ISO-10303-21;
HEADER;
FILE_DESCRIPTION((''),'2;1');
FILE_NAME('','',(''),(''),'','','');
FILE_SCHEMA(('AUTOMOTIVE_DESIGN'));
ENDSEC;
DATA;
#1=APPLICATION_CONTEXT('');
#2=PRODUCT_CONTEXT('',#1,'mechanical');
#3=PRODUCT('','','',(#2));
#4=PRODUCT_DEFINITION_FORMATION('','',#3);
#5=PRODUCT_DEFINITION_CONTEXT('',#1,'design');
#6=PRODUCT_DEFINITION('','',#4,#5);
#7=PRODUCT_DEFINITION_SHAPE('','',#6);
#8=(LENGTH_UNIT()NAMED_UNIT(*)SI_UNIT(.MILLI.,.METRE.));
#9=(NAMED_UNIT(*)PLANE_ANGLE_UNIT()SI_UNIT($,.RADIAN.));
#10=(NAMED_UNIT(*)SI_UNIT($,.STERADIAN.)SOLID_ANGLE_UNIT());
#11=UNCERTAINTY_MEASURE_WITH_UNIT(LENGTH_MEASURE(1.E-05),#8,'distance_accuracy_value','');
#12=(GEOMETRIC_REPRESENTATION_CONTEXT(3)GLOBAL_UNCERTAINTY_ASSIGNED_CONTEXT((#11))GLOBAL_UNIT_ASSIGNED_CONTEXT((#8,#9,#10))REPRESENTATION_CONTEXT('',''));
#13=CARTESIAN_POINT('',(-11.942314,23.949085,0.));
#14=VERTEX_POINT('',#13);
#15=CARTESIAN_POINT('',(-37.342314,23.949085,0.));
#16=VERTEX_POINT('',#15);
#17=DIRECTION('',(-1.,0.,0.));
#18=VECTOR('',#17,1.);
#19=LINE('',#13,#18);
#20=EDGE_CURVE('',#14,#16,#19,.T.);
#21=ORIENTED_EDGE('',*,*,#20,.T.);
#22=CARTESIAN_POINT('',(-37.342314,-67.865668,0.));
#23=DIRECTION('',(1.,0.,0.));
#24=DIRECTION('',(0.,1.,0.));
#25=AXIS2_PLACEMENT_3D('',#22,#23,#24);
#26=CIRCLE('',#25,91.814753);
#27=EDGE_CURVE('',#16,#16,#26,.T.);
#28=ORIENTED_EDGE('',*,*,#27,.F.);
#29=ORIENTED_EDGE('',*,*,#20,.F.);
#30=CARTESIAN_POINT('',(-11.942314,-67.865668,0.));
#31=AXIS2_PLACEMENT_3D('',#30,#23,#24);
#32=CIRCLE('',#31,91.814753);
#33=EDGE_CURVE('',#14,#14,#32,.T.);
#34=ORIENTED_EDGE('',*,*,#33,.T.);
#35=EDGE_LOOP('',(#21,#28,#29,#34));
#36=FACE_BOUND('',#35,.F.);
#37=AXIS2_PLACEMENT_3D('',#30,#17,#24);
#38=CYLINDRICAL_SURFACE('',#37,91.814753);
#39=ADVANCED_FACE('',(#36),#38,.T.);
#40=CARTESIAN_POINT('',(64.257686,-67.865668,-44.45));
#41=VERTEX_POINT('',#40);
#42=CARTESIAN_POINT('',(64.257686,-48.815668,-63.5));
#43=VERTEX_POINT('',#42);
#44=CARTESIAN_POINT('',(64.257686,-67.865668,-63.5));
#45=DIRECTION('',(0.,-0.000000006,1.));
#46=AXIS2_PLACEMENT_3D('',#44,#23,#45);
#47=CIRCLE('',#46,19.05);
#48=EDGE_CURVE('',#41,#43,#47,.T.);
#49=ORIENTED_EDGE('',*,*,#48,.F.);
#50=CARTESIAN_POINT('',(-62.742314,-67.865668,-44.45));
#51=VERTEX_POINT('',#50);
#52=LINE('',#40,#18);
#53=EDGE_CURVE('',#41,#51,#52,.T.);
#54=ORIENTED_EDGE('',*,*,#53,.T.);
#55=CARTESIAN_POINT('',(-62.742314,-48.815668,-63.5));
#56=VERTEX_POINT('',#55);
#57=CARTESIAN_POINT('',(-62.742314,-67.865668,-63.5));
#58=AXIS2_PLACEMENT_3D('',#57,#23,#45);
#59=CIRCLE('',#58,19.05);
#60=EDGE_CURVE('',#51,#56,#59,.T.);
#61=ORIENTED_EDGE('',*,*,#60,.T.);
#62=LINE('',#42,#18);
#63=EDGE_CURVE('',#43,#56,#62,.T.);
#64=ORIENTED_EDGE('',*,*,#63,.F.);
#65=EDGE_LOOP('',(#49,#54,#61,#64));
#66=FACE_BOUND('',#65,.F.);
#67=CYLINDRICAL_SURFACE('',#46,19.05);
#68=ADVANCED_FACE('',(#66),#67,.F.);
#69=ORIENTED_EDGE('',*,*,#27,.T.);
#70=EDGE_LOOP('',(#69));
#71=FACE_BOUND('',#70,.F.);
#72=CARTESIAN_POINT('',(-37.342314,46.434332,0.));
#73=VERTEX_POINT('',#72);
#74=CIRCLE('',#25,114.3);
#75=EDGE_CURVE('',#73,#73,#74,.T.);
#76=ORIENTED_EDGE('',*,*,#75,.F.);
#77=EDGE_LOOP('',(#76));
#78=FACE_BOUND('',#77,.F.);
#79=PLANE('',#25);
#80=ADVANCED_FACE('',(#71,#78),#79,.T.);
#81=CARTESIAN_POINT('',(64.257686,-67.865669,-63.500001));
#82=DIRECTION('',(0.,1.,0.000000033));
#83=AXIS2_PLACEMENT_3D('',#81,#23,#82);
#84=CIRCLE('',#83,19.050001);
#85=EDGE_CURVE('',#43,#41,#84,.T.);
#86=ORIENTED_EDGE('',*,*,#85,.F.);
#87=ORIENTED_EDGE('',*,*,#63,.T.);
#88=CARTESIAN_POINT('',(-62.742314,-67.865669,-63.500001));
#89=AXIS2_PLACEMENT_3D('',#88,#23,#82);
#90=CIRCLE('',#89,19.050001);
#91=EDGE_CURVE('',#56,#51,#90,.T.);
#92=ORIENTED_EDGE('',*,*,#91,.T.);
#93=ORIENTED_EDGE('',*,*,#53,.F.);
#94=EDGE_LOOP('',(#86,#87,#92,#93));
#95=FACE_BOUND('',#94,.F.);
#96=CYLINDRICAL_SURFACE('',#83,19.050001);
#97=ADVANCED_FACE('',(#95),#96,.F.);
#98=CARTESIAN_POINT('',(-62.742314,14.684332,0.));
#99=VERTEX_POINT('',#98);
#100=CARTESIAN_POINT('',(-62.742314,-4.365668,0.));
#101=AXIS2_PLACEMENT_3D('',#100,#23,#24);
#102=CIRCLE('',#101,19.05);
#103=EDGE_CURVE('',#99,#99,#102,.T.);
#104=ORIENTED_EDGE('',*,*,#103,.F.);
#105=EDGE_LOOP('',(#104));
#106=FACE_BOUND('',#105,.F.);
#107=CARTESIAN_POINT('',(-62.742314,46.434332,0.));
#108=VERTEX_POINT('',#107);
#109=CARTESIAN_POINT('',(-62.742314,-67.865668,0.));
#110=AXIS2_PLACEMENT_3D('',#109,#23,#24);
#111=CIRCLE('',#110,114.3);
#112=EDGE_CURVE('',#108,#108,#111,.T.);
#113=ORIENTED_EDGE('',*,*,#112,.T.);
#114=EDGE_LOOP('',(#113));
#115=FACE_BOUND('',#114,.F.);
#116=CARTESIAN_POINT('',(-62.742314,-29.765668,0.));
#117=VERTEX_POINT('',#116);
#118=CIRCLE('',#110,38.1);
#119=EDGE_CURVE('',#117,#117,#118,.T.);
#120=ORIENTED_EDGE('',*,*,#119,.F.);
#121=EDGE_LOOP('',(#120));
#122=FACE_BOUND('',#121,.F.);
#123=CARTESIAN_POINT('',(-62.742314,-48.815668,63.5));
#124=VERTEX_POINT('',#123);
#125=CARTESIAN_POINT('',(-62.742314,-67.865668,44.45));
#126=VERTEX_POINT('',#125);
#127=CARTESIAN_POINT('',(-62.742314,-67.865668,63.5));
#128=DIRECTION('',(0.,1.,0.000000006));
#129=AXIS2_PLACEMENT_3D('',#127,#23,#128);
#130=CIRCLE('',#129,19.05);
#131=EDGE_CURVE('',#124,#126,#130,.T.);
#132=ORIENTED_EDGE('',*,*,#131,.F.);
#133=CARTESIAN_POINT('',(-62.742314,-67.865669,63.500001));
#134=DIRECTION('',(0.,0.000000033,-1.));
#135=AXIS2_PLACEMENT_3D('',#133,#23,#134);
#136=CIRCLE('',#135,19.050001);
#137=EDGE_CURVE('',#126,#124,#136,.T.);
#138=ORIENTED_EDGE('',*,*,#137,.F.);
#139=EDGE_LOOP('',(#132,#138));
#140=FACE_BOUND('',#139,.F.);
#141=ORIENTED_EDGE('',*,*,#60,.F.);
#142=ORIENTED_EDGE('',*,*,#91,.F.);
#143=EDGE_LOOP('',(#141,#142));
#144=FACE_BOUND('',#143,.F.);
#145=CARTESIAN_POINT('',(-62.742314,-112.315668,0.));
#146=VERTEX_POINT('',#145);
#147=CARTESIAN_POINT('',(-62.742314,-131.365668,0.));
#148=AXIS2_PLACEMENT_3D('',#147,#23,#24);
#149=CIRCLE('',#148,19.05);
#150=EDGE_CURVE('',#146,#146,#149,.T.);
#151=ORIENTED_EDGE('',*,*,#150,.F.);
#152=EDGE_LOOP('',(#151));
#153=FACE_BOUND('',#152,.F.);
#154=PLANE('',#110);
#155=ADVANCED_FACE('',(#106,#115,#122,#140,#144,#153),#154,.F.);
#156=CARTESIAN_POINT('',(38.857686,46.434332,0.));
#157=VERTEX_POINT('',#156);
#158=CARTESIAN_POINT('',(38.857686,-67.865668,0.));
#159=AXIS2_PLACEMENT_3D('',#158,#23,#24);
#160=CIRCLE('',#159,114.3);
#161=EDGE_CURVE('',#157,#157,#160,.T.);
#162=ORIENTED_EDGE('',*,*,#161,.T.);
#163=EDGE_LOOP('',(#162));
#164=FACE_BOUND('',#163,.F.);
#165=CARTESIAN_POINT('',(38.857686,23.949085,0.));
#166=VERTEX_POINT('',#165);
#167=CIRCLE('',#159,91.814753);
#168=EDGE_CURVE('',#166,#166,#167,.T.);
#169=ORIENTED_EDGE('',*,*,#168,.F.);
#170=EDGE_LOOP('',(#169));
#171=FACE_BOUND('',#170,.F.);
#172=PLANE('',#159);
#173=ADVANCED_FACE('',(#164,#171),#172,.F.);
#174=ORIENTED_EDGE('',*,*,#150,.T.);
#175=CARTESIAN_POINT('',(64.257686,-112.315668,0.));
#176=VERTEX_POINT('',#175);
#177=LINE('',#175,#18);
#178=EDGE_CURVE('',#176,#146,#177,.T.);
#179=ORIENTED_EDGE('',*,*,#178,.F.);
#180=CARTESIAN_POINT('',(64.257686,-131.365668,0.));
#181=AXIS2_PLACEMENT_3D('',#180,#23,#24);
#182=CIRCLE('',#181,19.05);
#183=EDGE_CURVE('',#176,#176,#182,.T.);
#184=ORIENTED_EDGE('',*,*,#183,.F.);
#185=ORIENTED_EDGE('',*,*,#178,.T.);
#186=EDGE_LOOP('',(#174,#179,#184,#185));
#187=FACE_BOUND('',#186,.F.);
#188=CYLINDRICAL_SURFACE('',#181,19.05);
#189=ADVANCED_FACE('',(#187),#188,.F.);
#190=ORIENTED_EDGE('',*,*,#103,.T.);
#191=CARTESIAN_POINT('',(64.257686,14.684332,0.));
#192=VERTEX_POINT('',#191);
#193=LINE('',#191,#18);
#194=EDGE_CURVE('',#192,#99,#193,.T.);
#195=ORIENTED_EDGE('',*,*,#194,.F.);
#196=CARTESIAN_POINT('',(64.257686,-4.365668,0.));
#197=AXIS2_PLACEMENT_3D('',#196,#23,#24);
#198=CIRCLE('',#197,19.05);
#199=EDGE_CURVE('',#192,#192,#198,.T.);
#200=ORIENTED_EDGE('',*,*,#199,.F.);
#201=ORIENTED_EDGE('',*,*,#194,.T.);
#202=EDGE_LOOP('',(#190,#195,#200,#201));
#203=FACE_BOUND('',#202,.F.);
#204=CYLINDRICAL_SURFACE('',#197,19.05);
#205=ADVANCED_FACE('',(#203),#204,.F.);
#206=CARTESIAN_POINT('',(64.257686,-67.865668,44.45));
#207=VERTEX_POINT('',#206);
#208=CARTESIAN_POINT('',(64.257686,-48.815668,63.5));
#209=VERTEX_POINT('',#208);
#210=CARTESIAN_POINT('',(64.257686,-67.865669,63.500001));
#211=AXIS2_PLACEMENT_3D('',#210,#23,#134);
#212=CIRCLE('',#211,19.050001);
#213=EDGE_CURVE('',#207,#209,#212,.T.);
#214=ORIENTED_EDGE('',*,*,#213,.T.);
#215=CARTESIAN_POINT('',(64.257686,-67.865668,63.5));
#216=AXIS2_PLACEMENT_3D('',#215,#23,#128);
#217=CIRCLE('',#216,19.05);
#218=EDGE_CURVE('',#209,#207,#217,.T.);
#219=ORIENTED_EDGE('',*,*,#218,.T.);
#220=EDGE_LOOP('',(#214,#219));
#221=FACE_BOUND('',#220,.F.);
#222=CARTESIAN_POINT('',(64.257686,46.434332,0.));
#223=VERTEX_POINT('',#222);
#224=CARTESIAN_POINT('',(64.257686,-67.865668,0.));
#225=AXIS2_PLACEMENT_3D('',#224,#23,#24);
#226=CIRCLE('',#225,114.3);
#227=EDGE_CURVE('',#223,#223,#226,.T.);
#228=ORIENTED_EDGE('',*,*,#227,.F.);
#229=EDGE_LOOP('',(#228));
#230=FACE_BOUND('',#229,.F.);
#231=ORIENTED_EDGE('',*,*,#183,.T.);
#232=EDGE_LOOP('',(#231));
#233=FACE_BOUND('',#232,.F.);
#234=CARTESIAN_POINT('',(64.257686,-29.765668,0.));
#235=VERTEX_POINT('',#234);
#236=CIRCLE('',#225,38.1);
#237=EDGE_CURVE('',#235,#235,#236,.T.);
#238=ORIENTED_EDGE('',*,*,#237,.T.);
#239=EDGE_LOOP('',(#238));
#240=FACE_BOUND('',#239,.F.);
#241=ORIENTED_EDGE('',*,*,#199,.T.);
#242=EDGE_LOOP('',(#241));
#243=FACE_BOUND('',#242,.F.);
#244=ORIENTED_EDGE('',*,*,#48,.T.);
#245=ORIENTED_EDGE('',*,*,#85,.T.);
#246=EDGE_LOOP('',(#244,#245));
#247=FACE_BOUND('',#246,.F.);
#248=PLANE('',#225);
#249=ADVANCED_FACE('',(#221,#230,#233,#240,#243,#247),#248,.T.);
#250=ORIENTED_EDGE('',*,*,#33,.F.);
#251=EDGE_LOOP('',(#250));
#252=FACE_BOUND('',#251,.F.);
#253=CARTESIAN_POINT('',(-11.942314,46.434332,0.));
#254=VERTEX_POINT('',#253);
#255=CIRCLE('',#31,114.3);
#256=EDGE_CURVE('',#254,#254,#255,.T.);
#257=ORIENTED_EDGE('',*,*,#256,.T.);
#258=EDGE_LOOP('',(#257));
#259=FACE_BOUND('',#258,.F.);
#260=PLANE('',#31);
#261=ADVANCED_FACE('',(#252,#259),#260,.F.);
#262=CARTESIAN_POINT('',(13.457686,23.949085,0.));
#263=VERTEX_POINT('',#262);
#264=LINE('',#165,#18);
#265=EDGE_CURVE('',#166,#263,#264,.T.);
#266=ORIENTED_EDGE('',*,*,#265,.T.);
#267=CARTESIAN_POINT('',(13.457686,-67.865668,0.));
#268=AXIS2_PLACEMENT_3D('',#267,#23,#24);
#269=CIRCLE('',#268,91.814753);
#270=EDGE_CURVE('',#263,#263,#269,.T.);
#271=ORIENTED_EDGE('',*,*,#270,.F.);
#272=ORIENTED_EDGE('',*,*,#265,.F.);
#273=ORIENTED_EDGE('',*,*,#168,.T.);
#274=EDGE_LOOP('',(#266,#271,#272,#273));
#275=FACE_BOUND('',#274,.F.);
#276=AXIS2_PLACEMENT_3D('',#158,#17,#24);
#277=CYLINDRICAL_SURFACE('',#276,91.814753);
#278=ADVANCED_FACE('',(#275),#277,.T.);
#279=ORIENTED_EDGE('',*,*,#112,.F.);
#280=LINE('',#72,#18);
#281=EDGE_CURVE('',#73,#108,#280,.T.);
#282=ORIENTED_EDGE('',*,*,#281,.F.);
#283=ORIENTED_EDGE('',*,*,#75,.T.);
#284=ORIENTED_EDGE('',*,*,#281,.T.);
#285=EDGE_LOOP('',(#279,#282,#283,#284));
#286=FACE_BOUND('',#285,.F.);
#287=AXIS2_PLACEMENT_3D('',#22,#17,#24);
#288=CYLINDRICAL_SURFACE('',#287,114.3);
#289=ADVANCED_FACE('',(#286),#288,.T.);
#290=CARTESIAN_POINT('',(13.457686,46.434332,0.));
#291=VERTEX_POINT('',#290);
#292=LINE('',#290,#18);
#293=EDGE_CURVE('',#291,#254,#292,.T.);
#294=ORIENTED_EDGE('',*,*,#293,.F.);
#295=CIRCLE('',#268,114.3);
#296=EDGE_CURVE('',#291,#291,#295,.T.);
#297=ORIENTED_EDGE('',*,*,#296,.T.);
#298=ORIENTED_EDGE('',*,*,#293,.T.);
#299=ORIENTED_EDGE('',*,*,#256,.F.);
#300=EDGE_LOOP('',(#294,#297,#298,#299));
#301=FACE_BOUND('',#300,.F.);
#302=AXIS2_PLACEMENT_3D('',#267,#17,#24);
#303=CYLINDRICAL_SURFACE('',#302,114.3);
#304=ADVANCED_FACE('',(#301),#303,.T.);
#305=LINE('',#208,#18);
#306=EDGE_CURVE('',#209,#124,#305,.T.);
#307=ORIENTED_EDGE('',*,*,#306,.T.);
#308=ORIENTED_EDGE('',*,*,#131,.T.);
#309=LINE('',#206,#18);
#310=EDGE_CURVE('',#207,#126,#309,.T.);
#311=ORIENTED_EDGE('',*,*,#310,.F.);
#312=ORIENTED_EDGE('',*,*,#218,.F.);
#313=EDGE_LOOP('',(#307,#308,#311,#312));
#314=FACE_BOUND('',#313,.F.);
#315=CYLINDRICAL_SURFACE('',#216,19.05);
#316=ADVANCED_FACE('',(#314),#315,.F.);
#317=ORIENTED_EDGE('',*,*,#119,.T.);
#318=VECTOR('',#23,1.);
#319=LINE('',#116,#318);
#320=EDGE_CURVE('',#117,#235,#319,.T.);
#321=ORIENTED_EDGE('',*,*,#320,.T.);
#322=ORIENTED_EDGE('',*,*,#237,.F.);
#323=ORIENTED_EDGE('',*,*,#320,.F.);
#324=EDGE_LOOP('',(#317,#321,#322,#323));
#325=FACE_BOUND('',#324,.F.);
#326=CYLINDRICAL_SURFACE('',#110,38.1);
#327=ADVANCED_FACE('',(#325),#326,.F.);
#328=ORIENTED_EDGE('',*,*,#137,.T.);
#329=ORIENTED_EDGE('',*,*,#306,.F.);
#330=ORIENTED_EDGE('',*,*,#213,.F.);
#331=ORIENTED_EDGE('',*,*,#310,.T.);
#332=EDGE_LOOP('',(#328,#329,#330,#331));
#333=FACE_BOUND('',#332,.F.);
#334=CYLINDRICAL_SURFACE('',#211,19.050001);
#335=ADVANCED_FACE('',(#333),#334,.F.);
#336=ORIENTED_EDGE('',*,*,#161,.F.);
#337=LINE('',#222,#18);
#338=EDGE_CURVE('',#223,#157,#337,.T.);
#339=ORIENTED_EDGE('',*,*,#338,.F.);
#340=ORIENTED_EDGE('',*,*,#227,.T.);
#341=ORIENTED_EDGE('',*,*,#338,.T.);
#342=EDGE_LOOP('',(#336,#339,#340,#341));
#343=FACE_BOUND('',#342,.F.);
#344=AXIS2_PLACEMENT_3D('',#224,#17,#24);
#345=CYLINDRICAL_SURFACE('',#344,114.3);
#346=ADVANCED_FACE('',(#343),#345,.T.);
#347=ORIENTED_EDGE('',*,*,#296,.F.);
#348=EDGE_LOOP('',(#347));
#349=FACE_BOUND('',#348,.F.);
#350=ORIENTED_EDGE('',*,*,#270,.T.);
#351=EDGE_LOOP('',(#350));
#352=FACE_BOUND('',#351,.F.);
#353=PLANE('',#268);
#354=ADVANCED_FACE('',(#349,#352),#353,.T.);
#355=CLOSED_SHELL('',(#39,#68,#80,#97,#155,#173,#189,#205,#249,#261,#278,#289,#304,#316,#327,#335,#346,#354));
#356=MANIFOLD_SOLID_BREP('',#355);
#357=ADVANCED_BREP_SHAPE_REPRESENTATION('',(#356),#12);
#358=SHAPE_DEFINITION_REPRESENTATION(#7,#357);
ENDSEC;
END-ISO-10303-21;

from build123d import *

# Parameters (mm, degrees)
F2_R     = 19.05
F3_DEPTH = 127


with BuildPart() as f1:
    # F0 (on Top) → F1 (revolve)
    with BuildSketch(Plane.XY):
        Polygon((-37.342314, 46.434332), (-62.742314, 46.434332), (-62.742314, -29.765668), (64.257686, -29.765668), (64.257686, 46.434332), (38.857686, 46.434332), (38.857686, 23.949085), (13.457686, 23.949085), (13.457686, 46.434332), (-11.942314, 46.434332), (-11.942314, 23.949085), (-37.342314, 23.949085), align=None)
    revolve(axis=Axis((0.757686, -67.865668, 0), (1, 0, 0)))

    # F2 (on face) → F3 (cut, through all)
    with BuildSketch(Plane.YZ.offset(64.257686)):
        with BuildLine():
            ThreePointArc((-67.865668, 44.45), (-54.395284, 50.029616), (-48.815668, 63.5))
            ThreePointArc((-48.815668, 63.5), (-81.336052, 76.970384), (-67.865668, 44.45))
        make_face()
        with Locations((-131.365668, 0)):
            Circle(F2_R)
        with BuildLine():
            ThreePointArc((-67.865668, -44.45), (-81.336052, -76.970384), (-48.815668, -63.5))
            ThreePointArc((-48.815668, -63.5), (-54.395284, -50.029616), (-67.865668, -44.45))
        make_face()
        with BuildLine():
            ThreePointArc((-23.415668, 0), (-4.365668, -19.05), (14.684332, 0))
            ThreePointArc((14.684332, 0), (-4.365668, 19.05), (-23.415668, 0))
        make_face()
    extrude(amount=-F3_DEPTH, mode=Mode.SUBTRACT)


solid = f1.part
